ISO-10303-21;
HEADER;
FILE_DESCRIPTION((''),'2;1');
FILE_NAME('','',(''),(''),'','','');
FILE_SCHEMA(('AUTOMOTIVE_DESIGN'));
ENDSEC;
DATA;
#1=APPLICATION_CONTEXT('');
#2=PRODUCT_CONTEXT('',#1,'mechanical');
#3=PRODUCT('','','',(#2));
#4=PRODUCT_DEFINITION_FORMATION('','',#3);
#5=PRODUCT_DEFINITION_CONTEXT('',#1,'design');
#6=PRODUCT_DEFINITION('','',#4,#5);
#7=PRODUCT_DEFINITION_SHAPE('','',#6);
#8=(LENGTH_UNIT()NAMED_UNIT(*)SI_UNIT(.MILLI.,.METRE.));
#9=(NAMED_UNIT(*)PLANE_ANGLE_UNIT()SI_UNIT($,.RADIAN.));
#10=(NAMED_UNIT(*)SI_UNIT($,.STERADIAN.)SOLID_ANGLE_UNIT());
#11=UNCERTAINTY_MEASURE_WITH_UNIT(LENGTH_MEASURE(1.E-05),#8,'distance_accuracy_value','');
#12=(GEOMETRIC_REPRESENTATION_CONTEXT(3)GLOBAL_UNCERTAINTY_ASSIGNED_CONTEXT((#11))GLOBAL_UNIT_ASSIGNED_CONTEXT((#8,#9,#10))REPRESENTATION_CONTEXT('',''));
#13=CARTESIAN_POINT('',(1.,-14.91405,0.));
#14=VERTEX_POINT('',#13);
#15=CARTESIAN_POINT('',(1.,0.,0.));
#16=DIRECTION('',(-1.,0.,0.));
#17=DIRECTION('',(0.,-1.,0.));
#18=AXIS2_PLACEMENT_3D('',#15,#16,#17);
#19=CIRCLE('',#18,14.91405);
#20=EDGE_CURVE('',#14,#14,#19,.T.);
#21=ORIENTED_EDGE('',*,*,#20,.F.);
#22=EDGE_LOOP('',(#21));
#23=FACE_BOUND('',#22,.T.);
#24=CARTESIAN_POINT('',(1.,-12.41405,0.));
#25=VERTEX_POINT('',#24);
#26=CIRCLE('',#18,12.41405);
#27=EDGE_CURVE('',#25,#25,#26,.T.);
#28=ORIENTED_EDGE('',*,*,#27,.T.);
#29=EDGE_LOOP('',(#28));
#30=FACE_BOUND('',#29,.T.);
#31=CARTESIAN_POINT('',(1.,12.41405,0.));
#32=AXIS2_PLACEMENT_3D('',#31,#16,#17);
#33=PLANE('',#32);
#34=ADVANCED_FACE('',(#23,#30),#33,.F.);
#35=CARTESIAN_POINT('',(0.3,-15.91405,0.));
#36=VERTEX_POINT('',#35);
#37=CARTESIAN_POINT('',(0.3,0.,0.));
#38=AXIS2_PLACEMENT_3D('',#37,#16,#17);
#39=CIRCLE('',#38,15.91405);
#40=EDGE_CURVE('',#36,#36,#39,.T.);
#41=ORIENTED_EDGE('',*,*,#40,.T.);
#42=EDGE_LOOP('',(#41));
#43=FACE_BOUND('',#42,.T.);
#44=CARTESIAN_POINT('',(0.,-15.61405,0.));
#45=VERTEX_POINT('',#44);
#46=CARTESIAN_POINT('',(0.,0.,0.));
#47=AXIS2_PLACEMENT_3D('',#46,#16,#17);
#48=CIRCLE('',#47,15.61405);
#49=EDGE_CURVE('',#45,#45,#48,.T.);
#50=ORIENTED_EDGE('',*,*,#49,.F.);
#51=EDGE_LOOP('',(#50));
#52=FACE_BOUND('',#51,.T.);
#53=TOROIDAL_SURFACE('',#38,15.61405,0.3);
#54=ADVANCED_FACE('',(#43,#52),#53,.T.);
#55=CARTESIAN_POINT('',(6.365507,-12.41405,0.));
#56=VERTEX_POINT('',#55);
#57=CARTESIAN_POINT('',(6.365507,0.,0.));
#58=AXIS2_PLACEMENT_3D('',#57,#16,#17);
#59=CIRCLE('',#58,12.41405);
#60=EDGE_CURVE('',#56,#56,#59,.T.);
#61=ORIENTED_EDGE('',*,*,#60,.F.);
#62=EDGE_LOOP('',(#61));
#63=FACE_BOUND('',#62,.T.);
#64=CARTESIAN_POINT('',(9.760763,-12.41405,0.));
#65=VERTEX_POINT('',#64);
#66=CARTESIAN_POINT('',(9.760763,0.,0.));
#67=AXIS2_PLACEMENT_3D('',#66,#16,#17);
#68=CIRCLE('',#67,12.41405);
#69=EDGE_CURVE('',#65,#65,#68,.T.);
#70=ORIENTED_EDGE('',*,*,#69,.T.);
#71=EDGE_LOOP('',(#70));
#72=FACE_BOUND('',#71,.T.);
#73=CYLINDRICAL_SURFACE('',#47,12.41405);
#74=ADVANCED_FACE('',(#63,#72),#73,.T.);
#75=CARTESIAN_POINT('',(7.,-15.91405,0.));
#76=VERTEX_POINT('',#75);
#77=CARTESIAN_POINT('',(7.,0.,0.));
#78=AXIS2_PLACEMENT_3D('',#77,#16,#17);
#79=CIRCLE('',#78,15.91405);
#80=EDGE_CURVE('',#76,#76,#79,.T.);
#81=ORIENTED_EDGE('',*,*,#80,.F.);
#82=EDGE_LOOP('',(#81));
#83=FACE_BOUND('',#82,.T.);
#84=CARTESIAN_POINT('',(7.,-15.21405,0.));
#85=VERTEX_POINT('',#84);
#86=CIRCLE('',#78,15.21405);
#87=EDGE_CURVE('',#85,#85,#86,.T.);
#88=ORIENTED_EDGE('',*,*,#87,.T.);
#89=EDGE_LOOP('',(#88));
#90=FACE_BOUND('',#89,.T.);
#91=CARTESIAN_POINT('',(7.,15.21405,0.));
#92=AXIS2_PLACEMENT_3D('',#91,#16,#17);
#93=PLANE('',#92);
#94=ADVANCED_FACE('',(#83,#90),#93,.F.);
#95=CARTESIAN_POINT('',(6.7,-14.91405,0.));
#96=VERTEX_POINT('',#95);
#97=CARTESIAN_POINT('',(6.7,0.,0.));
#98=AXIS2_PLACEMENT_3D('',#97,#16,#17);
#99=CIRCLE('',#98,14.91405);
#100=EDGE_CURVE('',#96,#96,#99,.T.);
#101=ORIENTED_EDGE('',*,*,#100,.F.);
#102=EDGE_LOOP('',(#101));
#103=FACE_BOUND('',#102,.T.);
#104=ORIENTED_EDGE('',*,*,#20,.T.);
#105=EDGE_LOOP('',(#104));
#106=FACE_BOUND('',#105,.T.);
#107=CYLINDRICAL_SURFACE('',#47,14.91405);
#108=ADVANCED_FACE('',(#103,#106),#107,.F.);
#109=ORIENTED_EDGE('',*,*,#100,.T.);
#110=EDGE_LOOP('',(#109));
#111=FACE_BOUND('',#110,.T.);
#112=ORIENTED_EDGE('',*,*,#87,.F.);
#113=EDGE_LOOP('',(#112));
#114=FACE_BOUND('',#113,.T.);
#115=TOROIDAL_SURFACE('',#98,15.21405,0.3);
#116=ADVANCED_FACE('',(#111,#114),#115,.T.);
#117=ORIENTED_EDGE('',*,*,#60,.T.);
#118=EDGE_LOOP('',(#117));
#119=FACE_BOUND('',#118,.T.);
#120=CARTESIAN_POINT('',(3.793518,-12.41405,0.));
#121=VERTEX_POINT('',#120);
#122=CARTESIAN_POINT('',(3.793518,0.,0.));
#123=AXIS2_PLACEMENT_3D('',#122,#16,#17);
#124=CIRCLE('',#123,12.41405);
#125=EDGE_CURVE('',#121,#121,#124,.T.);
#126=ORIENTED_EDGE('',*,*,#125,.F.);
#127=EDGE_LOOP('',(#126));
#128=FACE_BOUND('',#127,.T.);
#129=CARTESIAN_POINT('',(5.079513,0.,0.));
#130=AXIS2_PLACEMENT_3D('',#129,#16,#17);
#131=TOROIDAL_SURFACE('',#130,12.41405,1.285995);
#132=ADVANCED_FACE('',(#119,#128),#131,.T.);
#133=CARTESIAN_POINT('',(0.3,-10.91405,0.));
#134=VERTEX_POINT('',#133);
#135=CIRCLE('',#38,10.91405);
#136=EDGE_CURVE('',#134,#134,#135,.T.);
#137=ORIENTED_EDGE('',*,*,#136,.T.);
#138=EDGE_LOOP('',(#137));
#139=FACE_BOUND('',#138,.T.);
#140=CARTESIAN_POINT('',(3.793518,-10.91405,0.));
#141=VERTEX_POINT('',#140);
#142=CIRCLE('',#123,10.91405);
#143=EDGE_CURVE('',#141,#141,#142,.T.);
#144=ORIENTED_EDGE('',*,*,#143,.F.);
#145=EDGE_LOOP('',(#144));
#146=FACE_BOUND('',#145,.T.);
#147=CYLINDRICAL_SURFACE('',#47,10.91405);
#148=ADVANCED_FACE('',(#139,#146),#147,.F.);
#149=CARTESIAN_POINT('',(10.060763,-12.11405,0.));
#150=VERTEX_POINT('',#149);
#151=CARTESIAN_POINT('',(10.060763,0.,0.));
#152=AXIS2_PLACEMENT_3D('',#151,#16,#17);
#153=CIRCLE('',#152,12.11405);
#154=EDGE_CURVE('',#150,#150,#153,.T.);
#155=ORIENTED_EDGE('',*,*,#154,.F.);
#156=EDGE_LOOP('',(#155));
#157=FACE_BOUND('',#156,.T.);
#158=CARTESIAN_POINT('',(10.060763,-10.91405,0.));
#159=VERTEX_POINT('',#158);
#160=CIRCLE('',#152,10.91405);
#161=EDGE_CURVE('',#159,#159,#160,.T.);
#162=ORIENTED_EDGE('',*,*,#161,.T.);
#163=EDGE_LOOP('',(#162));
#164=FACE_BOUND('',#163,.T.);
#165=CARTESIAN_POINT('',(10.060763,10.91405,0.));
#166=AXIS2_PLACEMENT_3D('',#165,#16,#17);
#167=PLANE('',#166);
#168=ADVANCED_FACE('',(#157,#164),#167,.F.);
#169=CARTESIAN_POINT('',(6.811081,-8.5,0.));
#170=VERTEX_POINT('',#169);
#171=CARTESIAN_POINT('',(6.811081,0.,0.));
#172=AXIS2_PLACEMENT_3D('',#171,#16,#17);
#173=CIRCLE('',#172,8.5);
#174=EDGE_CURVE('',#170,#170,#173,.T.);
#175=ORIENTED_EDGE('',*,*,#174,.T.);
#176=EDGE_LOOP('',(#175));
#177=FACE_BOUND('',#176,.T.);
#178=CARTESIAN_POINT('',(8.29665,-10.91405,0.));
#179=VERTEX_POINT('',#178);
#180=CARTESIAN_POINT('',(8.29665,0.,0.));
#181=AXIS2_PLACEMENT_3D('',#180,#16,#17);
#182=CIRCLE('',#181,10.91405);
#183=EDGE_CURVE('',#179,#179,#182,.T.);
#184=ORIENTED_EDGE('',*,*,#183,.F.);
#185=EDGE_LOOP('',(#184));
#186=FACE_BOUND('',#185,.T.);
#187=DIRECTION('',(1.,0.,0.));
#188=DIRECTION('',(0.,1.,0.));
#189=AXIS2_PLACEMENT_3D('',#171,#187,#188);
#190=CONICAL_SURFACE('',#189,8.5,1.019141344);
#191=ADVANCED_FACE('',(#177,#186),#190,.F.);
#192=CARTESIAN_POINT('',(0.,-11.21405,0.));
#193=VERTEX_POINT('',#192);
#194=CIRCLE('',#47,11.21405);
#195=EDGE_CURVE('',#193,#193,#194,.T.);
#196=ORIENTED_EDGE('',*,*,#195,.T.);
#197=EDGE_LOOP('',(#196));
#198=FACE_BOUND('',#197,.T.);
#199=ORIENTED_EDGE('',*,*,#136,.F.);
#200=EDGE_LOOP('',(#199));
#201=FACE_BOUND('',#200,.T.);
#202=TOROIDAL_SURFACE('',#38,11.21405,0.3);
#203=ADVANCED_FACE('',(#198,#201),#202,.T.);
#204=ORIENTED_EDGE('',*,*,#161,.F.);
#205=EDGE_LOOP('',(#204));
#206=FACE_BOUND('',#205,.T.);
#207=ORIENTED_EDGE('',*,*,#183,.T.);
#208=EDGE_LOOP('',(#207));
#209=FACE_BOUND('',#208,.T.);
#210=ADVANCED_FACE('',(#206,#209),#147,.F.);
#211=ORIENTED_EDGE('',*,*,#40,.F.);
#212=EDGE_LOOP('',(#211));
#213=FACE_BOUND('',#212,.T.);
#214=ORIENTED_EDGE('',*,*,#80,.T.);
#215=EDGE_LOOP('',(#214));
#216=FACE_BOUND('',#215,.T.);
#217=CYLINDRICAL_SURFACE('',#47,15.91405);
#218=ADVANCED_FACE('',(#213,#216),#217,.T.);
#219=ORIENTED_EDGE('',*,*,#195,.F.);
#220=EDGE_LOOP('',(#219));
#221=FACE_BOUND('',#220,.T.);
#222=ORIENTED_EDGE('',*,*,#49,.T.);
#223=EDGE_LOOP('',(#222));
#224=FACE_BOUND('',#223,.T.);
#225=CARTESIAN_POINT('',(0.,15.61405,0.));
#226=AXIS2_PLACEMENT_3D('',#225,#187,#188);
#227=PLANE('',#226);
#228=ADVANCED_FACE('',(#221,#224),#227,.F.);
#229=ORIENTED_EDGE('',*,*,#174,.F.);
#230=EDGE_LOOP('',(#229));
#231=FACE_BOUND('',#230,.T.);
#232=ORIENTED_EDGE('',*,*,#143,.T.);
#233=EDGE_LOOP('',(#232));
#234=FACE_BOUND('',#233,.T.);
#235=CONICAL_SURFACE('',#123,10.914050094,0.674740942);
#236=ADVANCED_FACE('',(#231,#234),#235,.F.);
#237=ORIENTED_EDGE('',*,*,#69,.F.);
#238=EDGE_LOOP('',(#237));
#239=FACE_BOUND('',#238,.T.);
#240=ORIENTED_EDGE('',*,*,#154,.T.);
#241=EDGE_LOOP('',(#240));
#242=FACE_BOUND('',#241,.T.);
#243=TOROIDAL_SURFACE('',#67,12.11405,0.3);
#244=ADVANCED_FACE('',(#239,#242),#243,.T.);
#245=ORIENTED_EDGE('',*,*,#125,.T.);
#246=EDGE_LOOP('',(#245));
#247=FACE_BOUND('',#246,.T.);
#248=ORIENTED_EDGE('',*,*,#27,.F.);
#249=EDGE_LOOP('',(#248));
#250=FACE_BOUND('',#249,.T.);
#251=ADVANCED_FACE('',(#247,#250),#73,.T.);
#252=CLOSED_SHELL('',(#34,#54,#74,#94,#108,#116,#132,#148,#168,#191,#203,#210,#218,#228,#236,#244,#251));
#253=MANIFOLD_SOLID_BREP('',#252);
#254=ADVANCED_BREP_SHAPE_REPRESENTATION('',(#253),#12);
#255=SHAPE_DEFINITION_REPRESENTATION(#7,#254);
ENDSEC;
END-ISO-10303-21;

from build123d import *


with BuildPart() as part:
    # Sketch1 → Revolve1 (revolve)
    with BuildSketch(Plane.XY):
        with BuildLine():
            Line((0, 15.614050094), (0, 11.214050094))
            ThreePointArc((0, 11.214050094), (0.087867966, 11.00191806), (0.3, 10.914050094))
            Line((0.3, 10.914050094), (3.793517987, 10.914050094))
            Line((3.793517987, 10.914050094), (6.811080605, 8.5))
            Line((6.811080605, 8.5), (8.296649893, 10.914050094))
            Line((8.296649893, 10.914050094), (10.060763424, 10.914050094))
            Line((10.060763424, 10.914050094), (10.060763424, 12.114050094))
            ThreePointArc((10.060763424, 12.114050094), (9.972895458, 12.326182128), (9.760763424, 12.414050094))
            Line((9.760763424, 12.414050094), (6.36550709, 12.414050094))
            ThreePointArc((6.36550709, 12.414050094), (5.079512539, 13.700044645), (3.793517987, 12.414050094))
            Line((3.793517987, 12.414050094), (1, 12.414050094))
            Line((1, 12.414050094), (1, 14.914050094))
            Line((1, 14.914050094), (6.7, 14.914050094))
            ThreePointArc((6.7, 14.914050094), (6.912132034, 15.00191806), (7, 15.214050094))
            Line((7, 15.214050094), (7, 15.914050094))
            Line((7, 15.914050094), (0.3, 15.914050094))
            ThreePointArc((0.3, 15.914050094), (0.087867966, 15.826182128), (0, 15.614050094))
        make_face()
    revolve(axis=Axis((0, 0, 0), (1, 0, 0)))


solid = part.part
